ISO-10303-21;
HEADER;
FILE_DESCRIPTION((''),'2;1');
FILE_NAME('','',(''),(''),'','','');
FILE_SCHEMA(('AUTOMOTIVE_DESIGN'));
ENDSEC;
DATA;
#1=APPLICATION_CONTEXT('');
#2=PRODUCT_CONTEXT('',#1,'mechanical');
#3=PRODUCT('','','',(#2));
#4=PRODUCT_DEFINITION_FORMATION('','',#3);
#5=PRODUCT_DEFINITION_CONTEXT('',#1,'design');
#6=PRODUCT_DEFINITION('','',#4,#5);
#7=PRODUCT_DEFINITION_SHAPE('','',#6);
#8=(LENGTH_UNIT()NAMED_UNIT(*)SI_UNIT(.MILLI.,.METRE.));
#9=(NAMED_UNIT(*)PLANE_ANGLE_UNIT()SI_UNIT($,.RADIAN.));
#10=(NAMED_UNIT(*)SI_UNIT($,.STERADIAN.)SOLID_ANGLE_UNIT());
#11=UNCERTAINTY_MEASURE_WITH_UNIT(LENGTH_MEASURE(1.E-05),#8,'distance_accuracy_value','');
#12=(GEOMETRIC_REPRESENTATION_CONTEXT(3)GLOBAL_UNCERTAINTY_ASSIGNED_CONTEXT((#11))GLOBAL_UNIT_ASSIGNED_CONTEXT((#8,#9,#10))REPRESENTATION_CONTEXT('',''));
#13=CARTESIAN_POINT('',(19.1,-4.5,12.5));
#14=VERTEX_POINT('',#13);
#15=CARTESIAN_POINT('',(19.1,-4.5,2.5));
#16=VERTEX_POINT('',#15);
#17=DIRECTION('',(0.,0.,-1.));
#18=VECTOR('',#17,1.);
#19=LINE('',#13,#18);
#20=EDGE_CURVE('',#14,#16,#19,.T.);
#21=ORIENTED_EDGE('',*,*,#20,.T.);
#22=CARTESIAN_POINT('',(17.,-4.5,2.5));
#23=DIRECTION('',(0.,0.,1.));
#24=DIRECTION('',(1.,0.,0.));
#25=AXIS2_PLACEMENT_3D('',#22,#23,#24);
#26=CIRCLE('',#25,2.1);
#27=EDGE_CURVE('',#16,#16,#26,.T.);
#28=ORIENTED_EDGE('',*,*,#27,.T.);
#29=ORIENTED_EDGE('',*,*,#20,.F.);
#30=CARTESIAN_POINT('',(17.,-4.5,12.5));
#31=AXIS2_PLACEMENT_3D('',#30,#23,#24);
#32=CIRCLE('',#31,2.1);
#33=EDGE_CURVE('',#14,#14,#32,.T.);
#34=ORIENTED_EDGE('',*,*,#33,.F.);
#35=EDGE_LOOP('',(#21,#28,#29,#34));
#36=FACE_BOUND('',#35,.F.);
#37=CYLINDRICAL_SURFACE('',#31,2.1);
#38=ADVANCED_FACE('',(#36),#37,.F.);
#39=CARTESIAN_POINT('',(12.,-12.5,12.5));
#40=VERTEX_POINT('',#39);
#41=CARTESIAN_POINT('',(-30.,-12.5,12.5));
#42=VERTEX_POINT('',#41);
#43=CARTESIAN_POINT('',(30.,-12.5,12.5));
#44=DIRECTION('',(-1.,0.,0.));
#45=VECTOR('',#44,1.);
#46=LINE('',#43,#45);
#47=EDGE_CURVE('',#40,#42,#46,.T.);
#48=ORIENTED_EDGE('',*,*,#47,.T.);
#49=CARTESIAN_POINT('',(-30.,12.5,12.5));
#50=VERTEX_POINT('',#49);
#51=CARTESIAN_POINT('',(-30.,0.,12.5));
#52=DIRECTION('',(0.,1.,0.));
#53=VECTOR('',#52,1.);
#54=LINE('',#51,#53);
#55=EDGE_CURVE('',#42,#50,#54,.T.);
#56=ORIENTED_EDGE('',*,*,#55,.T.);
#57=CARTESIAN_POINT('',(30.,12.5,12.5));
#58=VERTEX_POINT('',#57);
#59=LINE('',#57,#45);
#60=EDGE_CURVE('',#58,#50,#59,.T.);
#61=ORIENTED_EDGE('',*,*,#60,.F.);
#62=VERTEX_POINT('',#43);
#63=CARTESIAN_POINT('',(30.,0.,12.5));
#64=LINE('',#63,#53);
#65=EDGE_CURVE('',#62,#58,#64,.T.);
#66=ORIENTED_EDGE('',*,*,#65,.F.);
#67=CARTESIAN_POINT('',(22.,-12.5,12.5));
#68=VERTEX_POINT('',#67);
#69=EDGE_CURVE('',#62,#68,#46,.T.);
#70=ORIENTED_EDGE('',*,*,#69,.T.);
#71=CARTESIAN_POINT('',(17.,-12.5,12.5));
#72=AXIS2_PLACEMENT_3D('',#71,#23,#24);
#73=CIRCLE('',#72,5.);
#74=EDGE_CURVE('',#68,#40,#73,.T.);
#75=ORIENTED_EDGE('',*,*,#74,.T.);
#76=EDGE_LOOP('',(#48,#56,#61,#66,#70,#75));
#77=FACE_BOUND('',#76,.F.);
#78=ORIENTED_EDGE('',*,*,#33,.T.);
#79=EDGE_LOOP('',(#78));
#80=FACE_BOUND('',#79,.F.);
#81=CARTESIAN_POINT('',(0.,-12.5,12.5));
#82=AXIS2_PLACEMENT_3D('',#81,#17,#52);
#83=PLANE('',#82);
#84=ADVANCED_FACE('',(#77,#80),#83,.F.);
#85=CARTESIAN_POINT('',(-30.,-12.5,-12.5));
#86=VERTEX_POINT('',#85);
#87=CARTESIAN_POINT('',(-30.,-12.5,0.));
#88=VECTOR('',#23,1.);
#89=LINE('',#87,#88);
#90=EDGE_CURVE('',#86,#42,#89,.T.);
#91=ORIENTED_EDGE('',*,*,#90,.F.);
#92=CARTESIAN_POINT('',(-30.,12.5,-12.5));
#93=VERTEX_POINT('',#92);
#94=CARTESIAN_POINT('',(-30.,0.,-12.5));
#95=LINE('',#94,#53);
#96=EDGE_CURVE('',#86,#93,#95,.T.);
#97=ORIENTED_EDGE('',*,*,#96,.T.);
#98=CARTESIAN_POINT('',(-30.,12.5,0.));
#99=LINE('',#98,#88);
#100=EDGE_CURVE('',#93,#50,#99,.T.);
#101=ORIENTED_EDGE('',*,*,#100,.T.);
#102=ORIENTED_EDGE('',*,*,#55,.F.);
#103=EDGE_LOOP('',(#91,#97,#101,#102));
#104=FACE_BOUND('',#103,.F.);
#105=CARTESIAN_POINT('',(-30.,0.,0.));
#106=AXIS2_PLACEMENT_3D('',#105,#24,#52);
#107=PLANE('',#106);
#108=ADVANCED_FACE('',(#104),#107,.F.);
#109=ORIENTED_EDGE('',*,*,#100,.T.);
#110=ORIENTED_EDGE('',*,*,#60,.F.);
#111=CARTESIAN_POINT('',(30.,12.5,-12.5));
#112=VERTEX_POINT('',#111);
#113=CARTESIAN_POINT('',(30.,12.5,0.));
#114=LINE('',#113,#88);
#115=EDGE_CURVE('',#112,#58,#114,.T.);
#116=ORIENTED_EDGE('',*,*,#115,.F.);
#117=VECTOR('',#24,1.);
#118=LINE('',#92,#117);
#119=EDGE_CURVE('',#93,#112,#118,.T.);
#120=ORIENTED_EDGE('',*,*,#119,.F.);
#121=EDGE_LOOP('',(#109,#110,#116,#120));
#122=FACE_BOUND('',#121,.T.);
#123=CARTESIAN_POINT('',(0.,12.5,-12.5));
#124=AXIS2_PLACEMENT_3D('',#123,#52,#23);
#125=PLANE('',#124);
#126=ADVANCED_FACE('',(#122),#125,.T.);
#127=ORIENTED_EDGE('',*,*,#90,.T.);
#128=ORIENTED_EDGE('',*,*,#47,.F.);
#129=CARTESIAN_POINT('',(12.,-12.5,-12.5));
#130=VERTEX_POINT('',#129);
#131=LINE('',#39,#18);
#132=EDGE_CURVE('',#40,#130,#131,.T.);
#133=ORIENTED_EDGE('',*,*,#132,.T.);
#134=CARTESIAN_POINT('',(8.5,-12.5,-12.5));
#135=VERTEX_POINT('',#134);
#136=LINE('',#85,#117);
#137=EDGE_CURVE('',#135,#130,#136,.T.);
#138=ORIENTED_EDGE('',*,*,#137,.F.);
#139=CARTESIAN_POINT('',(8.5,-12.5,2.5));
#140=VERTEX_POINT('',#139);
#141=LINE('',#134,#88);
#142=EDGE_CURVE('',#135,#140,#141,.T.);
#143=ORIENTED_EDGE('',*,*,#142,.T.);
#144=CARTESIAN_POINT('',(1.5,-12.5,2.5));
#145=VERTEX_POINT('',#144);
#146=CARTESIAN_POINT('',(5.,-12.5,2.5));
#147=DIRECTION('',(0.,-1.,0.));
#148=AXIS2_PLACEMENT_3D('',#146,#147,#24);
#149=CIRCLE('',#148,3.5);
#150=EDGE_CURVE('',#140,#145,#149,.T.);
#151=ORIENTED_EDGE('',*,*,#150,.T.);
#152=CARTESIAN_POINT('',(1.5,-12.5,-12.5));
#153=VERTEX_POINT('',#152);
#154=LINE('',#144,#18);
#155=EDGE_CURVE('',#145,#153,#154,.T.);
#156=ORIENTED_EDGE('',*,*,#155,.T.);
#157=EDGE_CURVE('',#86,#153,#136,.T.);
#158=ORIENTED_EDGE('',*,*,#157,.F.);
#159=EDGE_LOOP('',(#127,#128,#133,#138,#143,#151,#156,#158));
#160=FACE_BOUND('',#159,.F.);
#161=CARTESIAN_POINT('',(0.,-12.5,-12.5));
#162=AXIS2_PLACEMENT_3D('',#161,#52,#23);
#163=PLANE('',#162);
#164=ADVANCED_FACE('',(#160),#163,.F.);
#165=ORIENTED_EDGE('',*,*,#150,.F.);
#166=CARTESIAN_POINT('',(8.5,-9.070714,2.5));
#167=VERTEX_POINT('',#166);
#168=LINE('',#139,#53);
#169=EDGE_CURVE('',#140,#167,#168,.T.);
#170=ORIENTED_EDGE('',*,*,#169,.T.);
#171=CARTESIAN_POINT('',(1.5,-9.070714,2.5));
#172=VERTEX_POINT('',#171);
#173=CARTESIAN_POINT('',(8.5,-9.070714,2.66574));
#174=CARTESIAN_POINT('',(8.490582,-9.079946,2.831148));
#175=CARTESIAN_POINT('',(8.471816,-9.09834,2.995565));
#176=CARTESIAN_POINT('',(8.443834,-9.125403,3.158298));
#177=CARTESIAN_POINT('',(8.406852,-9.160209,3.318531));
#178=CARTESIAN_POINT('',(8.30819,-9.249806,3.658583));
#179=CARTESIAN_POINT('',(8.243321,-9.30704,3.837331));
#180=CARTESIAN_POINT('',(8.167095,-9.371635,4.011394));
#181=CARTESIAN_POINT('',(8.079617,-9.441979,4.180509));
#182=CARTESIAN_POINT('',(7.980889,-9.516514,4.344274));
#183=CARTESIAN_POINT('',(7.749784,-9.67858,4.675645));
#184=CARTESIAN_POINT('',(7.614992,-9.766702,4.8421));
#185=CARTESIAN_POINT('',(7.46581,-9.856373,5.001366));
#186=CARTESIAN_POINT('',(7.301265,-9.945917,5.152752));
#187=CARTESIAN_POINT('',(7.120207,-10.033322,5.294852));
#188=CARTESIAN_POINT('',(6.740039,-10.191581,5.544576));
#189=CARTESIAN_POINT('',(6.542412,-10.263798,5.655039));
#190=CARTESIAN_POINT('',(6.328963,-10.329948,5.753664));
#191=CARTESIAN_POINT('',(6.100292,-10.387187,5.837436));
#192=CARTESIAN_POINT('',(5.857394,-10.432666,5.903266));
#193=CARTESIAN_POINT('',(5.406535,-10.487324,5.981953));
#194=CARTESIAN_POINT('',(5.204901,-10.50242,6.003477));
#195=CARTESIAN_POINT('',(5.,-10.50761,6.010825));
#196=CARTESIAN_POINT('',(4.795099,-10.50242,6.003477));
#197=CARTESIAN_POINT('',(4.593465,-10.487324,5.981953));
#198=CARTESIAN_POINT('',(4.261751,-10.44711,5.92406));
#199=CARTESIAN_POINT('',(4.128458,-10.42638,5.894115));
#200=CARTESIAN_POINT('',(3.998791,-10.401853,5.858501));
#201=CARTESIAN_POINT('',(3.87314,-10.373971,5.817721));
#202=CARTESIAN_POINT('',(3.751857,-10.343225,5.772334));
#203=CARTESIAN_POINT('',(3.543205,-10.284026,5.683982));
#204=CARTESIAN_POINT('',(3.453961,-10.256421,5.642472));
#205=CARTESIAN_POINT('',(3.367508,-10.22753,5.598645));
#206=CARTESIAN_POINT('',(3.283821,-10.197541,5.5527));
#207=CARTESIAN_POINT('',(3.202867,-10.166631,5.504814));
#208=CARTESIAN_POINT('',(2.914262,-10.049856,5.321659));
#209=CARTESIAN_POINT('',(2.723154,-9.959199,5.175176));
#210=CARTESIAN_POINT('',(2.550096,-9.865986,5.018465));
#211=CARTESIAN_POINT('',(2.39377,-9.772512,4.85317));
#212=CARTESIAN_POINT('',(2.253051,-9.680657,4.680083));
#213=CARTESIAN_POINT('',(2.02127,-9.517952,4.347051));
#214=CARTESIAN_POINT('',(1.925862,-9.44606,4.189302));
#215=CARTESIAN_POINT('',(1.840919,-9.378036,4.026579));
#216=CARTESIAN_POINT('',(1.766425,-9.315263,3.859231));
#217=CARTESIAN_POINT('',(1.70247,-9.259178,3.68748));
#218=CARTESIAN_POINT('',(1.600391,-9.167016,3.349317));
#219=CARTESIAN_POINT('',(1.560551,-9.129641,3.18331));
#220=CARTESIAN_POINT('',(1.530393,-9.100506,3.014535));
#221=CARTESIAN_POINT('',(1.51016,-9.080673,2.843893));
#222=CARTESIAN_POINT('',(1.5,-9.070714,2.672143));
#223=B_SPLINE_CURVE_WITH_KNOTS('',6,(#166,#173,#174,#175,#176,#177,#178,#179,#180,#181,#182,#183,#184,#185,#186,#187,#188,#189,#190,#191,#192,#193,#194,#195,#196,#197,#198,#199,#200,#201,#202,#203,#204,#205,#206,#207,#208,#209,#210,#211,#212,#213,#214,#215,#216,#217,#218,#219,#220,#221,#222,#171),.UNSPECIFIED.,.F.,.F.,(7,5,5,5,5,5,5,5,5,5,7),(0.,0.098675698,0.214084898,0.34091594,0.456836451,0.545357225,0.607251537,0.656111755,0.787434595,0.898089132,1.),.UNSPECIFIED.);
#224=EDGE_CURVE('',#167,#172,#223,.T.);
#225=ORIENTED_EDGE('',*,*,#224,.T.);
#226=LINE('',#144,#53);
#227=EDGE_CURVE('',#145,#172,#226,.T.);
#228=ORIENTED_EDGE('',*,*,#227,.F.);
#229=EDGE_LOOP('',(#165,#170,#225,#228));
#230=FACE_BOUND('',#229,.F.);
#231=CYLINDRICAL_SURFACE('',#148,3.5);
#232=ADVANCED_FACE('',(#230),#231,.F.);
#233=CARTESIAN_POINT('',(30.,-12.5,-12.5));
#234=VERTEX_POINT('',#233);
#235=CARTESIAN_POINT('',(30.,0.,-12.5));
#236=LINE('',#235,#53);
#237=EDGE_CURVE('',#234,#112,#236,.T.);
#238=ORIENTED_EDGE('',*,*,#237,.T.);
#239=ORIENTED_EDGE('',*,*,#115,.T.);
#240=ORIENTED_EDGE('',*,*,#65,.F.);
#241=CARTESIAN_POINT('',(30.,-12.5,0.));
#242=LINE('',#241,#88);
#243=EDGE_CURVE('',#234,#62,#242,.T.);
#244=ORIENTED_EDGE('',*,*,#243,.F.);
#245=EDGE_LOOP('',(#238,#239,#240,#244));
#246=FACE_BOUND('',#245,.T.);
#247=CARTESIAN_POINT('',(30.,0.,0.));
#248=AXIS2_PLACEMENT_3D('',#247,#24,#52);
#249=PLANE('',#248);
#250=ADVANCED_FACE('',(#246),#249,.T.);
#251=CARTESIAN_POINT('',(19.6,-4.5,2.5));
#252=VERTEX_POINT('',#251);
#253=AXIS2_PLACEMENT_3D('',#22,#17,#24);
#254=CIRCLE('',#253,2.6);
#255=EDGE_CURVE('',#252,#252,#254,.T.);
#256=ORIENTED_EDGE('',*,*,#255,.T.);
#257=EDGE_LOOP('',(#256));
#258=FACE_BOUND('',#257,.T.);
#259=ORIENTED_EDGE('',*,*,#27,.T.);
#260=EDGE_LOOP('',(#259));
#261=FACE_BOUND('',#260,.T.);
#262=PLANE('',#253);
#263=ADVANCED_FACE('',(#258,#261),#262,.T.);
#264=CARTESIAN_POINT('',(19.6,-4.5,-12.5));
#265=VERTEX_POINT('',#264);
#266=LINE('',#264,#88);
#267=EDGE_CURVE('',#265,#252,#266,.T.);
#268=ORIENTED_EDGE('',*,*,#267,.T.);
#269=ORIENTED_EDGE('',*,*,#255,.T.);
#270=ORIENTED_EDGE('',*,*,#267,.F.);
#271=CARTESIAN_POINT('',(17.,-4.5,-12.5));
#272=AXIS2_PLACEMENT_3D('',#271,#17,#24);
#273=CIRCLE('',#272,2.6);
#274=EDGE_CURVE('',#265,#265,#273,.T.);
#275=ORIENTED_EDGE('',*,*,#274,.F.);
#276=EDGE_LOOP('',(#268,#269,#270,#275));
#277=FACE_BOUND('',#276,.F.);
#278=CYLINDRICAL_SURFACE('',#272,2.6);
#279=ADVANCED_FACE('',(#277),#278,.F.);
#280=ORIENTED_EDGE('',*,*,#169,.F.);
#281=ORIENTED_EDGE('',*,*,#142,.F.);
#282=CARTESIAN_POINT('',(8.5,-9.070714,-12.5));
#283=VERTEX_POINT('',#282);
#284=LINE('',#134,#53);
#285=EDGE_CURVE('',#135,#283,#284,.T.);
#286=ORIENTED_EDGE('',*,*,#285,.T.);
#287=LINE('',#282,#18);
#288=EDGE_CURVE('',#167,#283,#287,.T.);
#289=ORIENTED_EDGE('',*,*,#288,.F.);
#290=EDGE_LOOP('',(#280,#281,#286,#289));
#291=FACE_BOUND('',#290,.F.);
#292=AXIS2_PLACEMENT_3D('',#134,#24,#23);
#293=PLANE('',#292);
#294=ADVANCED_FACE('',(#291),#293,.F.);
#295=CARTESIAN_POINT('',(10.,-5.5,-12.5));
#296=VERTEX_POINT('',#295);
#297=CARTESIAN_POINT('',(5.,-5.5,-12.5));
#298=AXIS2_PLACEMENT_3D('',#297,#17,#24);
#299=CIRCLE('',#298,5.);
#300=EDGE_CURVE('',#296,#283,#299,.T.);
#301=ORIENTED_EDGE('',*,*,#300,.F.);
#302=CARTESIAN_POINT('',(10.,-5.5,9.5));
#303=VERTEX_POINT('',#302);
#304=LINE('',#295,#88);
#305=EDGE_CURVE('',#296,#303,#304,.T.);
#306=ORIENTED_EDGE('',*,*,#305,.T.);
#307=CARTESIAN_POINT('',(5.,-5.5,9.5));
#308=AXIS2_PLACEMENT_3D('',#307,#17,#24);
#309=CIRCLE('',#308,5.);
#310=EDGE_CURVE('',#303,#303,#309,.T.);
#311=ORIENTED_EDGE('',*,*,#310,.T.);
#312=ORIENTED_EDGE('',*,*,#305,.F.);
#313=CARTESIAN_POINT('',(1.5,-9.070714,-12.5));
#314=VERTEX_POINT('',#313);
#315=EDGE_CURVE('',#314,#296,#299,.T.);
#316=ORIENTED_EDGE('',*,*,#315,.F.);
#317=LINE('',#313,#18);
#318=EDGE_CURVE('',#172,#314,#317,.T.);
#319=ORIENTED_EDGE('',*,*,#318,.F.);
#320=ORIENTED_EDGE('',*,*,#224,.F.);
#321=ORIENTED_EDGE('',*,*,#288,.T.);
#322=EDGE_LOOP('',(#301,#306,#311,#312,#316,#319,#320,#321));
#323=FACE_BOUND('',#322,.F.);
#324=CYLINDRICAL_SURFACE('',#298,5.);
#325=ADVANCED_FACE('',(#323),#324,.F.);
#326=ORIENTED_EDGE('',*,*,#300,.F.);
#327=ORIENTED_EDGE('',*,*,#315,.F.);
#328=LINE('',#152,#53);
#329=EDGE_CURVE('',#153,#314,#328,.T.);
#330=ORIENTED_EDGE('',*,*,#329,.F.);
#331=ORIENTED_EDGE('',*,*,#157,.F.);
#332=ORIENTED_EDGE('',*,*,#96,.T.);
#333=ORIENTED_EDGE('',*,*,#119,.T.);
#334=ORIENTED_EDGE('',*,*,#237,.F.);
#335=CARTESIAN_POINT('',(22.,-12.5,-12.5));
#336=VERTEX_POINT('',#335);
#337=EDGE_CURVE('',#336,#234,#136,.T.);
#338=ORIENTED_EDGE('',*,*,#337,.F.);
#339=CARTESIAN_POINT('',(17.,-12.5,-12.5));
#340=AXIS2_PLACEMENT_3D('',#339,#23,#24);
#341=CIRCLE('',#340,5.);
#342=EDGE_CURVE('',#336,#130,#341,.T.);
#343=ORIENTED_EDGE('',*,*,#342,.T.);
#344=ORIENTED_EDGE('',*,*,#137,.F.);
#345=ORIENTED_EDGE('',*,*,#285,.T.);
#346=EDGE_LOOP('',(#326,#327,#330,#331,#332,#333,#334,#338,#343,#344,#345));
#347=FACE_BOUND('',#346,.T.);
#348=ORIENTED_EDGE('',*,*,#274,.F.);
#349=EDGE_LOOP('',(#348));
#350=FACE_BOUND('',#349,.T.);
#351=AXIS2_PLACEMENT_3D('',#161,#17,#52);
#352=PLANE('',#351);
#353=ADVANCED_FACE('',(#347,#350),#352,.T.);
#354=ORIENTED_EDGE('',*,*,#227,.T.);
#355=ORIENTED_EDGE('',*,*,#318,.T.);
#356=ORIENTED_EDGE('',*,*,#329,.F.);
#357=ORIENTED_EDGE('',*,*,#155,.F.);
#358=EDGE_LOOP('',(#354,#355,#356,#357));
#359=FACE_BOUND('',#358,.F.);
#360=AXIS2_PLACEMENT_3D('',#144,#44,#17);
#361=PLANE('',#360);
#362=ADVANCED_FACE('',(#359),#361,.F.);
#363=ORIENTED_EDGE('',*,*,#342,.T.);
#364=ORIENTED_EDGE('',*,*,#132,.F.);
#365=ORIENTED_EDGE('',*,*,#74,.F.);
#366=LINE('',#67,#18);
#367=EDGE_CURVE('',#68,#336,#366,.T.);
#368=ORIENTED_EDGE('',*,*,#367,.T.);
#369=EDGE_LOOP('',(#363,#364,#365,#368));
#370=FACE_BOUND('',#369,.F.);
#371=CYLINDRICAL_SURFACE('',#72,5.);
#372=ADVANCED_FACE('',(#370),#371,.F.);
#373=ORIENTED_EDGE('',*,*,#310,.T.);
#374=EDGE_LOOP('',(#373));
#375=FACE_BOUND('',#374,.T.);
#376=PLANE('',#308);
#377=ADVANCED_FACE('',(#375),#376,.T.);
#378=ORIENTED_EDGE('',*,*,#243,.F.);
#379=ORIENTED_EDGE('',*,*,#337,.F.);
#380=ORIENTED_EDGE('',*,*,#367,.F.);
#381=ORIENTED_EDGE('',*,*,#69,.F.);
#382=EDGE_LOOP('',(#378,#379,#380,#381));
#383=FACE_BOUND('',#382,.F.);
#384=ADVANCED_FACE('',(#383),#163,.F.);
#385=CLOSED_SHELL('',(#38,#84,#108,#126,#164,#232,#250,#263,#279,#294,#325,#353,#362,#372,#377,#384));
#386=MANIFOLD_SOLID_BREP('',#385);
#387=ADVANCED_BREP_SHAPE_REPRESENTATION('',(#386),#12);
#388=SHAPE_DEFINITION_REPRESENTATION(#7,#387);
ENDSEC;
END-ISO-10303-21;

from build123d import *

# Parameters (mm, degrees)
F0_W      = 25
F0_H      = 25
F1_DEPTH  = 30
F3_DEPTH  = 25.001
F4_R      = 2.1
F5_DEPTH  = 25.001
F6_R      = 5
F7_DEPTH  = 22
F9_DEPTH  = 7
F10_R     = 2.6
F11_DEPTH = 15


with BuildPart() as f1:
    # F0 (on Right) → F1 (new body, symmetric)
    with BuildSketch(Plane.YZ):
        Rectangle(F0_W, F0_H)
    extrude(amount=F1_DEPTH, both=True)

    # F2 (on face) → F3 (cut, through all)
    with BuildSketch(Plane.XY.offset(12.5)):
        with BuildLine():
            Line((12, -12.5), (22, -12.5))
            ThreePointArc((22, -12.5), (17, -7.5), (12, -12.5))
        make_face()
    extrude(amount=-F3_DEPTH, mode=Mode.SUBTRACT)

    # F4 (on face) → F5 (cut, through all)
    with BuildSketch(Plane.XY.offset(12.5)):
        with Locations((17, -4.5)):
            Circle(F4_R)
    extrude(amount=-F5_DEPTH, mode=Mode.SUBTRACT)

    # F6 (on face) → F7 (cut)
    with BuildSketch(Plane(origin=(0, 0, -12.5), x_dir=(1, 0, 0), z_dir=(0, 0, -1))):
        with Locations((5, 5.5)):
            Circle(F6_R)
    extrude(amount=-F7_DEPTH, mode=Mode.SUBTRACT)

    # F8 (on face) → F9 (cut)
    with BuildSketch(Plane.XZ.offset(12.5)):
        with BuildLine():
            Line((1.5, -12.5), (8.5, -12.5))
            Line((8.5, -12.5), (8.5, 2.5))
            ThreePointArc((8.5, 2.5), (5, 6), (1.5, 2.5))
            Line((1.5, 2.5), (1.5, -12.5))
        make_face()
    extrude(amount=-F9_DEPTH, mode=Mode.SUBTRACT)

    # F10 (on face) → F11 (cut)
    with BuildSketch(Plane(origin=(0, 0, -12.5), x_dir=(1, 0, 0), z_dir=(0, 0, -1))):
        with Locations((17, 4.5)):
            Circle(F10_R)
    extrude(amount=-F11_DEPTH, mode=Mode.SUBTRACT)


with BuildPart() as f12_1:
    # F12: copy of F1
    add(f1.part)


solid = f1.part
